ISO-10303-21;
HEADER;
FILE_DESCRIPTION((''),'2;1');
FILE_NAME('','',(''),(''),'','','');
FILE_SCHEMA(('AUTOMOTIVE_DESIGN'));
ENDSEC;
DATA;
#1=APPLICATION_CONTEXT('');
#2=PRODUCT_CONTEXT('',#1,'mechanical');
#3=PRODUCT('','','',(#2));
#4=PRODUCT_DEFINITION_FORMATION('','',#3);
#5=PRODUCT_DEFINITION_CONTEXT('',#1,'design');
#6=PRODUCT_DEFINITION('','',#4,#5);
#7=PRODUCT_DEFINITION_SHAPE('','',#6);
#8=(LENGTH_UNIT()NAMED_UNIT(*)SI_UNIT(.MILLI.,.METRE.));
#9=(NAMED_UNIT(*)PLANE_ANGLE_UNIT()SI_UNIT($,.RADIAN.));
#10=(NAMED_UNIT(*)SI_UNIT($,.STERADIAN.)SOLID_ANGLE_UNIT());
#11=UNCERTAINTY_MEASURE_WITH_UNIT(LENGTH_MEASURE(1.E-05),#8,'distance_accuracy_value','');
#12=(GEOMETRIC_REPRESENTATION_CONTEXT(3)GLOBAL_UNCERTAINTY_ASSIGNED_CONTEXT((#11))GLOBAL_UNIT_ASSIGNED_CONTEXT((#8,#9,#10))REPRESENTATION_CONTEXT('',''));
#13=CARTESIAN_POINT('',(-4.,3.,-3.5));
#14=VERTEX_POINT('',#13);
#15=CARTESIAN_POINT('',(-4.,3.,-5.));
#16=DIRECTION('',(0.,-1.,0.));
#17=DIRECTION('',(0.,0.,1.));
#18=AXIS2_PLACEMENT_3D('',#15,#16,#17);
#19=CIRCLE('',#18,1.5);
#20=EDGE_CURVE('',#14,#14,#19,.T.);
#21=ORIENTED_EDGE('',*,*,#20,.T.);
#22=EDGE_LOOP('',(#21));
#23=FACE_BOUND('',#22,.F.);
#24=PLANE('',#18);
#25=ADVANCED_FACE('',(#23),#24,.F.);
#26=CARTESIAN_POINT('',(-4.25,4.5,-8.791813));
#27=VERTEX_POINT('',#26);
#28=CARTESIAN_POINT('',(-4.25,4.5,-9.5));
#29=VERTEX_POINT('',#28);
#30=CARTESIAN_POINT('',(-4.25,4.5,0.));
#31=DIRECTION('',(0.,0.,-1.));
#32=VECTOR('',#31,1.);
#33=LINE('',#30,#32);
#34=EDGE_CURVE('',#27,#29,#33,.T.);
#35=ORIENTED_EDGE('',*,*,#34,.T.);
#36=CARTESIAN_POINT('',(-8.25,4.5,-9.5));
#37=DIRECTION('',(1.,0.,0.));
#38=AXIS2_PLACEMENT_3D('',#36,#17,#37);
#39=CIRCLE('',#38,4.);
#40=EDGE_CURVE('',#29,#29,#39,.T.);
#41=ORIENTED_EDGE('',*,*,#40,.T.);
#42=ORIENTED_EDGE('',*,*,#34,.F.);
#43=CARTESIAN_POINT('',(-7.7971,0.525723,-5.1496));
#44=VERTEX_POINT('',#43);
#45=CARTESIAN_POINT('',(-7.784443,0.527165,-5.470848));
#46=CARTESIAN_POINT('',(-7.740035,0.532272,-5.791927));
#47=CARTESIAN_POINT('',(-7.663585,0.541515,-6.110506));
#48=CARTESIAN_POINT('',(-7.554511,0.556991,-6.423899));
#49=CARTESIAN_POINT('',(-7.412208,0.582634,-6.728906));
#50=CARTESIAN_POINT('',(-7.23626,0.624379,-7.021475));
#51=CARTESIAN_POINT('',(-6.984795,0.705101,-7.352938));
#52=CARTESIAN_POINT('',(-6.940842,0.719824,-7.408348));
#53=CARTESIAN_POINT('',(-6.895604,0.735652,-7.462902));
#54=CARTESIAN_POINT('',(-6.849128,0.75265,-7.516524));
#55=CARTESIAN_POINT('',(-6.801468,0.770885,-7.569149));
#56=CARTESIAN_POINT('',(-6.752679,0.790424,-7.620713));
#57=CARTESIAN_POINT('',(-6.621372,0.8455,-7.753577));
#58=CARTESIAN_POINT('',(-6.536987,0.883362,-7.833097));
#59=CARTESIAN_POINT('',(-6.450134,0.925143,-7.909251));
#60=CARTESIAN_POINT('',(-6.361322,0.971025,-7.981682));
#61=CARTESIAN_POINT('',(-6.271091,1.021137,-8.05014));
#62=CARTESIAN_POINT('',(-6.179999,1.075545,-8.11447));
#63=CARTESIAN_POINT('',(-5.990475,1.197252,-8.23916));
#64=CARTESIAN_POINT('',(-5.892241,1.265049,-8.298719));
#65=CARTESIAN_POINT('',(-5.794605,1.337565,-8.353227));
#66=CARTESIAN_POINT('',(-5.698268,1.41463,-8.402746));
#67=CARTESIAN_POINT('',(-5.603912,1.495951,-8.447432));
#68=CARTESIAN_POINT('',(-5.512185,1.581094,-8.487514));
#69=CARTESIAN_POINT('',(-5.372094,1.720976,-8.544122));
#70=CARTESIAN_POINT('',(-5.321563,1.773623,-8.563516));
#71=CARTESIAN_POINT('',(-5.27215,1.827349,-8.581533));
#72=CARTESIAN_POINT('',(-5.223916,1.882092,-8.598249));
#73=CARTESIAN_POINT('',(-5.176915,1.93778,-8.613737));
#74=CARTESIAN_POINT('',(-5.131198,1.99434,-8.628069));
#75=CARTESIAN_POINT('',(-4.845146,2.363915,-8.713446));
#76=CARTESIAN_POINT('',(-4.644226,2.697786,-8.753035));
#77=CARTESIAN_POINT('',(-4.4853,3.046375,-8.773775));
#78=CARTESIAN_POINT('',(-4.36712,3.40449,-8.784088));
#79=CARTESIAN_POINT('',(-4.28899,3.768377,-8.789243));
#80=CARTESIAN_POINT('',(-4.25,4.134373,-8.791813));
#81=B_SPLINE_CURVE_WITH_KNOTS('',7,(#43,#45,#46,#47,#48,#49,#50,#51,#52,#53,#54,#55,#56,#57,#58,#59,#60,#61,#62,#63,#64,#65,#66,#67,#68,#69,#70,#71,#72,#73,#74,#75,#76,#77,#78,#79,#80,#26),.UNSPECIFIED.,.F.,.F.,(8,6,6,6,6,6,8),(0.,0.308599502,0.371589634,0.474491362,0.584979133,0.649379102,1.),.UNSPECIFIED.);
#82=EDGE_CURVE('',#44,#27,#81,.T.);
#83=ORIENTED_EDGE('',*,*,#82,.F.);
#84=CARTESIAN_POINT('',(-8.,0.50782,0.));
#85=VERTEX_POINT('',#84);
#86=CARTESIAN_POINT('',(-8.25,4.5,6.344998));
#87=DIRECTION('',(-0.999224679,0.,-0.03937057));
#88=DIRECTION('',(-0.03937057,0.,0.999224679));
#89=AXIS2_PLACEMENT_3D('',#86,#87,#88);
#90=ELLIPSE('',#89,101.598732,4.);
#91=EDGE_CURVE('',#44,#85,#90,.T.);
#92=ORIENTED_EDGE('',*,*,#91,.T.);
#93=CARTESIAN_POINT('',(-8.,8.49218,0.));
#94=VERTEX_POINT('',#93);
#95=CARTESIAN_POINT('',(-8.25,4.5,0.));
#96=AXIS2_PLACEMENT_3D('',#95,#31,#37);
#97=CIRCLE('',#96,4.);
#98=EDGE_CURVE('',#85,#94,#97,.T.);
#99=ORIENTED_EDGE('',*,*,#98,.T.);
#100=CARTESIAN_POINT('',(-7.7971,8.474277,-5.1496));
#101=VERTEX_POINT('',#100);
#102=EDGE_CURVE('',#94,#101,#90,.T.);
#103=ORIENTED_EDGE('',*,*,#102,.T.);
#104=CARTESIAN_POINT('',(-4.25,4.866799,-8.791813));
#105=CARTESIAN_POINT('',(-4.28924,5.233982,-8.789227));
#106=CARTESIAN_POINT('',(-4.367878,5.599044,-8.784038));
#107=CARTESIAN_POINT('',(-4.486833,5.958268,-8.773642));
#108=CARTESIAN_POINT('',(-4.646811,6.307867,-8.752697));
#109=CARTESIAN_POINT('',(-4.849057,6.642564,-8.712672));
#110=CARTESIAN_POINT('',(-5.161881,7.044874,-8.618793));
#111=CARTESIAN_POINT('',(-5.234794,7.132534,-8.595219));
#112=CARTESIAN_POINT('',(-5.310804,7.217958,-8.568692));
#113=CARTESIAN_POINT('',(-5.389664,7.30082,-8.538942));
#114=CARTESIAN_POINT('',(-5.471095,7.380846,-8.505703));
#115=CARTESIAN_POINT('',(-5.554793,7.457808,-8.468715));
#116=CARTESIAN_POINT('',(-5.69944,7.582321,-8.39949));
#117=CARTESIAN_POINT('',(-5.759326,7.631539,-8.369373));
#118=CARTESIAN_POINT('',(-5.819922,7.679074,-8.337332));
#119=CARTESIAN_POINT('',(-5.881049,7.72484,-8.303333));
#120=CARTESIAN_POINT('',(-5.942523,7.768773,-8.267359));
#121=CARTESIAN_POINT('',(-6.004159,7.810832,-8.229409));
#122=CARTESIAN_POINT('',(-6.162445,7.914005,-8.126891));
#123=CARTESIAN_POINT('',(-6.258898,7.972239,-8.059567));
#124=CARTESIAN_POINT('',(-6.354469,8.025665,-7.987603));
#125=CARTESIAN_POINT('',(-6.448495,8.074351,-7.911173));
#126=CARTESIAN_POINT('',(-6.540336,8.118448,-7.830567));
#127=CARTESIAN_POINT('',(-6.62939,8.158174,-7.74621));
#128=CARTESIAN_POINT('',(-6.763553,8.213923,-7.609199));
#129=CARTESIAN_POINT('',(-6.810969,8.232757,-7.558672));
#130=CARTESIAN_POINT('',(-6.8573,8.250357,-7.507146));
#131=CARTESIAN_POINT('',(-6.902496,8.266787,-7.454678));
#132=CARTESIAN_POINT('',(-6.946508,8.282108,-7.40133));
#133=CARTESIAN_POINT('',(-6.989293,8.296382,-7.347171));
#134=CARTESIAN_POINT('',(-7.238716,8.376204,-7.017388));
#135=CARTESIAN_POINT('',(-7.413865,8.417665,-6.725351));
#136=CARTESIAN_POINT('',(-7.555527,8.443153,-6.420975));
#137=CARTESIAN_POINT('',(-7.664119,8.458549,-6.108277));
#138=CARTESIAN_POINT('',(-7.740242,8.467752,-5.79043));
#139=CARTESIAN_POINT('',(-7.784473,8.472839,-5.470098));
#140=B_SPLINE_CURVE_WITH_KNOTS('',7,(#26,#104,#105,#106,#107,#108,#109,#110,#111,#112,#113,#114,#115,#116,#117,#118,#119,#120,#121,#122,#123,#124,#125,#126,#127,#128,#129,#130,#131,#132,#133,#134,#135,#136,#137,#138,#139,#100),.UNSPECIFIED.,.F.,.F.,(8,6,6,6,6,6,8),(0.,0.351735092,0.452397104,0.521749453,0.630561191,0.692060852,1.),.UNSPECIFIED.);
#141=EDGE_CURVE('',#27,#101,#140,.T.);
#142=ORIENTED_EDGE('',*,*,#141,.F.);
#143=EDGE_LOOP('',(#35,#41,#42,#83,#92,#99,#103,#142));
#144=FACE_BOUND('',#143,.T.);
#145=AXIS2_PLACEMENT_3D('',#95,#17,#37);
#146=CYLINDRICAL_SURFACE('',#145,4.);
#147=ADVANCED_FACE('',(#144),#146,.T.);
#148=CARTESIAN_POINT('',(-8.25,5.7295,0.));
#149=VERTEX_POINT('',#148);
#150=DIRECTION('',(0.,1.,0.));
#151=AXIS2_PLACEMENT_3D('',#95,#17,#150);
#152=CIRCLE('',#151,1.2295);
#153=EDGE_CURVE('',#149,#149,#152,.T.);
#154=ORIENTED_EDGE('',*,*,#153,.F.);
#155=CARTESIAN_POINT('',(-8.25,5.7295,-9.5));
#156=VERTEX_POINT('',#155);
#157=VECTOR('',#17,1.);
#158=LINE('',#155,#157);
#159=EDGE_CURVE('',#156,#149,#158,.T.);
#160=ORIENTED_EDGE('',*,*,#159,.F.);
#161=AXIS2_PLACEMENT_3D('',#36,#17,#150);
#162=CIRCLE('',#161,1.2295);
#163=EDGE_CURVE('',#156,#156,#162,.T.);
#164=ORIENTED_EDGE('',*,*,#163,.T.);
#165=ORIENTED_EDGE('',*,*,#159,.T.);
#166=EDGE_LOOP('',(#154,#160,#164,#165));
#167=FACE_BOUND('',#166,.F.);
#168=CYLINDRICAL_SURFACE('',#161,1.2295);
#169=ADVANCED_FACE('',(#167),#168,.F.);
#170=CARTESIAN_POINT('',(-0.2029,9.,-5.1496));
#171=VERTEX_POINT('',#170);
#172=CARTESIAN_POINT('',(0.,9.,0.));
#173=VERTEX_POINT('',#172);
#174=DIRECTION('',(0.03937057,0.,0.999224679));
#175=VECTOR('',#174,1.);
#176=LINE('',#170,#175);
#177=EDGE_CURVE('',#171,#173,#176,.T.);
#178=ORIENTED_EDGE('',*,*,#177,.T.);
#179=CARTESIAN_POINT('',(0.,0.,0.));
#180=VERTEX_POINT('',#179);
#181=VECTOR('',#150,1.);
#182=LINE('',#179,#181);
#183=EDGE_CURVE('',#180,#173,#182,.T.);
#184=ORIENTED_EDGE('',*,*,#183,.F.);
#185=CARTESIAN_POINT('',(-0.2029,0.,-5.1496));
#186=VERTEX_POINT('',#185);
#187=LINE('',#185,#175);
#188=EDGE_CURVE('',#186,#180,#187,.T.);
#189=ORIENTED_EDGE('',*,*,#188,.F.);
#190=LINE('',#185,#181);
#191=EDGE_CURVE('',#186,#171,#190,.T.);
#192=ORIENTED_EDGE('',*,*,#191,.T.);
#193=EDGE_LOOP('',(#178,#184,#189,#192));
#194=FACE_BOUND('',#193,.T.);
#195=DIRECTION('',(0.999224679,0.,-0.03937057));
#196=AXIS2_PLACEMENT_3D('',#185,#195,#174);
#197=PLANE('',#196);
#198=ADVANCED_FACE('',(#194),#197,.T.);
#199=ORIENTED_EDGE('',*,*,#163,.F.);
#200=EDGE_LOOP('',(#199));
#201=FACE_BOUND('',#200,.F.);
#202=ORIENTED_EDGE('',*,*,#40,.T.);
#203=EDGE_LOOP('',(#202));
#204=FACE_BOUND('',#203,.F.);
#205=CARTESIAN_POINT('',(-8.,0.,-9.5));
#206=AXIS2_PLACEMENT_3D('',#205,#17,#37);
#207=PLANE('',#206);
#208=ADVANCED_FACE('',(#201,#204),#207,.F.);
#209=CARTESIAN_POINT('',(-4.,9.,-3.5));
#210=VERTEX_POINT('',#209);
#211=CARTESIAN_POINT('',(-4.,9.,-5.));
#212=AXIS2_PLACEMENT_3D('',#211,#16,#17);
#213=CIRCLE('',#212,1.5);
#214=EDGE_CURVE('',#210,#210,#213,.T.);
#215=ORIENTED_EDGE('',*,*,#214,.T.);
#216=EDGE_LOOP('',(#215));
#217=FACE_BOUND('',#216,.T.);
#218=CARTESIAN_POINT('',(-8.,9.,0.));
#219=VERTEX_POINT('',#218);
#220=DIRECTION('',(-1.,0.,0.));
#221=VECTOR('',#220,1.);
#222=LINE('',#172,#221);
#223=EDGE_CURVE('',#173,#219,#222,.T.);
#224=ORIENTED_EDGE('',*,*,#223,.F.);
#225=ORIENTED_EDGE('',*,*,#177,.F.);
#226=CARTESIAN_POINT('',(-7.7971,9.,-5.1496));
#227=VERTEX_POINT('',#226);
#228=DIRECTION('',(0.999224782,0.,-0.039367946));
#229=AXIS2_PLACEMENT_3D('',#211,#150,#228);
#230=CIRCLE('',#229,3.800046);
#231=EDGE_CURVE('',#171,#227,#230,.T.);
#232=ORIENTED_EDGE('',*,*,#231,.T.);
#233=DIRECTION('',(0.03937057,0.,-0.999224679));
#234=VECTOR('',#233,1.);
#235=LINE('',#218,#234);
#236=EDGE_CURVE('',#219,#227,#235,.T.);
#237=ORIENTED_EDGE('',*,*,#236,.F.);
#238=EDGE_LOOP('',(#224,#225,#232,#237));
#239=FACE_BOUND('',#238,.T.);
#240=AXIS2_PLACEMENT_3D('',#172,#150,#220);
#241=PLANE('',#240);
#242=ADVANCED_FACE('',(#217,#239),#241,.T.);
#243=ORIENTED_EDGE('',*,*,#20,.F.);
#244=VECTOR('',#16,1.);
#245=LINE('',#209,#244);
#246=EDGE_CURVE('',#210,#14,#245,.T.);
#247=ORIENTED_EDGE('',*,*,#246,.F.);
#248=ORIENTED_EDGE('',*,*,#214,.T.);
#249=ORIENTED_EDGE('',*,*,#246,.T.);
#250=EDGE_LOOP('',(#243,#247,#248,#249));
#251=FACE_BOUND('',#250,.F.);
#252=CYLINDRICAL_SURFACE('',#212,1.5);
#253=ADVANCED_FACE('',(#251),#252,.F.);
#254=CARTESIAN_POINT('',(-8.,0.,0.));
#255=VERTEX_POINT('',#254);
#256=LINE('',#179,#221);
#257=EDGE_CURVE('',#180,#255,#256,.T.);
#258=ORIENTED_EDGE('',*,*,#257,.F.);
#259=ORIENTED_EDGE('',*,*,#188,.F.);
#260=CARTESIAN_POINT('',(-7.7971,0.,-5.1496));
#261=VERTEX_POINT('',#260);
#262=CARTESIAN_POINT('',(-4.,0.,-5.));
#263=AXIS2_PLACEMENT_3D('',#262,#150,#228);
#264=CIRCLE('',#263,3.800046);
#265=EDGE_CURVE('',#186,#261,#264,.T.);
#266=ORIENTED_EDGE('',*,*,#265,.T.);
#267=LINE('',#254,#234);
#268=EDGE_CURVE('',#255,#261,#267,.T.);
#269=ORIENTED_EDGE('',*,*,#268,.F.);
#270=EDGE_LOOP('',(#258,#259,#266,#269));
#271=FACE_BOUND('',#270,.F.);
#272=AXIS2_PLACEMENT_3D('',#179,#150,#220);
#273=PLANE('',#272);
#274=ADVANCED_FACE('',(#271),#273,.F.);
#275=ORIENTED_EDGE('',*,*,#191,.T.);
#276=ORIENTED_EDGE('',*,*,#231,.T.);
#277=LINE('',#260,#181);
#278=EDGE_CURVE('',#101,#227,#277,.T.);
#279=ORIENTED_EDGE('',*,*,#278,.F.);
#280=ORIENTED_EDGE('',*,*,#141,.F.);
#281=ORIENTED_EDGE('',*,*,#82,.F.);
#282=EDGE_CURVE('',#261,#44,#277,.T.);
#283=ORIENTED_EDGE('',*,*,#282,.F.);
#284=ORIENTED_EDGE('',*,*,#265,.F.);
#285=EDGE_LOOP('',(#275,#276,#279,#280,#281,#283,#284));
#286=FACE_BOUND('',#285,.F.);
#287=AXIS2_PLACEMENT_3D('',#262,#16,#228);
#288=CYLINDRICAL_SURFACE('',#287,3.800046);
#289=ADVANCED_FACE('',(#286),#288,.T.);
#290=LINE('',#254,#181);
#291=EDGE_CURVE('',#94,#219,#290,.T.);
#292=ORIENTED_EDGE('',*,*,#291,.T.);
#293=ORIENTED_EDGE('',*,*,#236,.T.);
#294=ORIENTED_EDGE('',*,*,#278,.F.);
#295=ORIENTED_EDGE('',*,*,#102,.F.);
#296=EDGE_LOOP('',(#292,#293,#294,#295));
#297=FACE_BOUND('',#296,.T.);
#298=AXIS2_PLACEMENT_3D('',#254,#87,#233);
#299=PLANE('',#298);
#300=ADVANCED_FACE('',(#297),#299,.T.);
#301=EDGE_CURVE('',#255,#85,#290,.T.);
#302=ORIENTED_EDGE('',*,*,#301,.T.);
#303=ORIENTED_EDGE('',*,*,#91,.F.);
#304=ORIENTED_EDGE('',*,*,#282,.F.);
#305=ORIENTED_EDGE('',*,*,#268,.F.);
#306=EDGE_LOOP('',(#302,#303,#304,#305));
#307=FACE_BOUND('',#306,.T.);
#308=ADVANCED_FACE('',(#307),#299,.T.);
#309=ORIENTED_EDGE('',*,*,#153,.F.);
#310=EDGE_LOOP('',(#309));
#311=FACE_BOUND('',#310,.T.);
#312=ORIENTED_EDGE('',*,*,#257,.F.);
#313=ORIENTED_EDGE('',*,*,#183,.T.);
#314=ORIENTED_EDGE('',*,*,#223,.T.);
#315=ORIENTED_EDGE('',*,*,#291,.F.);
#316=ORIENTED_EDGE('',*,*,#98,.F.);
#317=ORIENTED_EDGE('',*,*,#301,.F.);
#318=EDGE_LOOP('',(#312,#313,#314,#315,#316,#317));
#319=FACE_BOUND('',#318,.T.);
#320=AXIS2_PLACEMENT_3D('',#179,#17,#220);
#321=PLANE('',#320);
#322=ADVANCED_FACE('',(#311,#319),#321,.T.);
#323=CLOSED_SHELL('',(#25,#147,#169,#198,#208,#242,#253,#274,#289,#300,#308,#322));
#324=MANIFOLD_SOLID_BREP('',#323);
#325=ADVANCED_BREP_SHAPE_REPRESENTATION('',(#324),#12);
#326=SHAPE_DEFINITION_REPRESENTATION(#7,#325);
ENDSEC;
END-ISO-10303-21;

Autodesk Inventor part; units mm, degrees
ref_plane "YZ Plane" through (0, 0, 0) normal (1, 0, 0) x (0, 1, 0)
ref_plane "XZ Plane" through (0, 0, 0) normal (0, 1, 0) x (-1, 0, 0)
ref_plane "XY Plane" through (0, 0, 0) normal (0, 0, 1) x (1, 0, 0)
sketch "Sketch1" plane through (0, 0, 0) normal (0, 1, 0) x (-1, 0, 0)
  line L0 (0, 0) -> (8, 0)
  line L1 (8, 0) -> (7.7971, -5.1496)
  line L2 (0.2029, -5.1496) -> (0, 0)
  arc A0 (0.2029, -5.1496) -> (7.7971, -5.1496) centre (4, -5) ccw
  line L3 (4, -5) -> (4, -1.2)
  dimension "d0" = 3.8
  dimension "d1" = 5
  dimension "d2" = 8
extrude "Extrusion1" add sketch "Sketch1" along normal blind 9
sketch "Sketch2" plane through (-8, 0, 0) normal (0, 0, 1) x (1, 0, 0)
  line L0 (8, 0) -> (0, 0) projected
  line L1 (0, 0) -> (0, 9) projected
  circle A0 centre (-0.25, 4.5) radius 4
  line L2 (4, 0) -> (4, -1.6223)
  point P0 (0, 4.5)
  dimension "d5" = 8
  dimension "d6" = 4.25
extrude "Extrusion2" add sketch "Sketch2" against normal blind 9.5
hole "Hole1" at (-4, 9, -5) direction (0, -1, 0) diameter 3 depth 6
hole "Hole2" at (-8.25, 4.5, -9.5) direction (0, 0, 1) diameter 2.459 depth 12.05 thread size "M3x0.5" class "6H" standard "ISO Metric profile"
properties part number "500-171" material "ABS Plastic"
